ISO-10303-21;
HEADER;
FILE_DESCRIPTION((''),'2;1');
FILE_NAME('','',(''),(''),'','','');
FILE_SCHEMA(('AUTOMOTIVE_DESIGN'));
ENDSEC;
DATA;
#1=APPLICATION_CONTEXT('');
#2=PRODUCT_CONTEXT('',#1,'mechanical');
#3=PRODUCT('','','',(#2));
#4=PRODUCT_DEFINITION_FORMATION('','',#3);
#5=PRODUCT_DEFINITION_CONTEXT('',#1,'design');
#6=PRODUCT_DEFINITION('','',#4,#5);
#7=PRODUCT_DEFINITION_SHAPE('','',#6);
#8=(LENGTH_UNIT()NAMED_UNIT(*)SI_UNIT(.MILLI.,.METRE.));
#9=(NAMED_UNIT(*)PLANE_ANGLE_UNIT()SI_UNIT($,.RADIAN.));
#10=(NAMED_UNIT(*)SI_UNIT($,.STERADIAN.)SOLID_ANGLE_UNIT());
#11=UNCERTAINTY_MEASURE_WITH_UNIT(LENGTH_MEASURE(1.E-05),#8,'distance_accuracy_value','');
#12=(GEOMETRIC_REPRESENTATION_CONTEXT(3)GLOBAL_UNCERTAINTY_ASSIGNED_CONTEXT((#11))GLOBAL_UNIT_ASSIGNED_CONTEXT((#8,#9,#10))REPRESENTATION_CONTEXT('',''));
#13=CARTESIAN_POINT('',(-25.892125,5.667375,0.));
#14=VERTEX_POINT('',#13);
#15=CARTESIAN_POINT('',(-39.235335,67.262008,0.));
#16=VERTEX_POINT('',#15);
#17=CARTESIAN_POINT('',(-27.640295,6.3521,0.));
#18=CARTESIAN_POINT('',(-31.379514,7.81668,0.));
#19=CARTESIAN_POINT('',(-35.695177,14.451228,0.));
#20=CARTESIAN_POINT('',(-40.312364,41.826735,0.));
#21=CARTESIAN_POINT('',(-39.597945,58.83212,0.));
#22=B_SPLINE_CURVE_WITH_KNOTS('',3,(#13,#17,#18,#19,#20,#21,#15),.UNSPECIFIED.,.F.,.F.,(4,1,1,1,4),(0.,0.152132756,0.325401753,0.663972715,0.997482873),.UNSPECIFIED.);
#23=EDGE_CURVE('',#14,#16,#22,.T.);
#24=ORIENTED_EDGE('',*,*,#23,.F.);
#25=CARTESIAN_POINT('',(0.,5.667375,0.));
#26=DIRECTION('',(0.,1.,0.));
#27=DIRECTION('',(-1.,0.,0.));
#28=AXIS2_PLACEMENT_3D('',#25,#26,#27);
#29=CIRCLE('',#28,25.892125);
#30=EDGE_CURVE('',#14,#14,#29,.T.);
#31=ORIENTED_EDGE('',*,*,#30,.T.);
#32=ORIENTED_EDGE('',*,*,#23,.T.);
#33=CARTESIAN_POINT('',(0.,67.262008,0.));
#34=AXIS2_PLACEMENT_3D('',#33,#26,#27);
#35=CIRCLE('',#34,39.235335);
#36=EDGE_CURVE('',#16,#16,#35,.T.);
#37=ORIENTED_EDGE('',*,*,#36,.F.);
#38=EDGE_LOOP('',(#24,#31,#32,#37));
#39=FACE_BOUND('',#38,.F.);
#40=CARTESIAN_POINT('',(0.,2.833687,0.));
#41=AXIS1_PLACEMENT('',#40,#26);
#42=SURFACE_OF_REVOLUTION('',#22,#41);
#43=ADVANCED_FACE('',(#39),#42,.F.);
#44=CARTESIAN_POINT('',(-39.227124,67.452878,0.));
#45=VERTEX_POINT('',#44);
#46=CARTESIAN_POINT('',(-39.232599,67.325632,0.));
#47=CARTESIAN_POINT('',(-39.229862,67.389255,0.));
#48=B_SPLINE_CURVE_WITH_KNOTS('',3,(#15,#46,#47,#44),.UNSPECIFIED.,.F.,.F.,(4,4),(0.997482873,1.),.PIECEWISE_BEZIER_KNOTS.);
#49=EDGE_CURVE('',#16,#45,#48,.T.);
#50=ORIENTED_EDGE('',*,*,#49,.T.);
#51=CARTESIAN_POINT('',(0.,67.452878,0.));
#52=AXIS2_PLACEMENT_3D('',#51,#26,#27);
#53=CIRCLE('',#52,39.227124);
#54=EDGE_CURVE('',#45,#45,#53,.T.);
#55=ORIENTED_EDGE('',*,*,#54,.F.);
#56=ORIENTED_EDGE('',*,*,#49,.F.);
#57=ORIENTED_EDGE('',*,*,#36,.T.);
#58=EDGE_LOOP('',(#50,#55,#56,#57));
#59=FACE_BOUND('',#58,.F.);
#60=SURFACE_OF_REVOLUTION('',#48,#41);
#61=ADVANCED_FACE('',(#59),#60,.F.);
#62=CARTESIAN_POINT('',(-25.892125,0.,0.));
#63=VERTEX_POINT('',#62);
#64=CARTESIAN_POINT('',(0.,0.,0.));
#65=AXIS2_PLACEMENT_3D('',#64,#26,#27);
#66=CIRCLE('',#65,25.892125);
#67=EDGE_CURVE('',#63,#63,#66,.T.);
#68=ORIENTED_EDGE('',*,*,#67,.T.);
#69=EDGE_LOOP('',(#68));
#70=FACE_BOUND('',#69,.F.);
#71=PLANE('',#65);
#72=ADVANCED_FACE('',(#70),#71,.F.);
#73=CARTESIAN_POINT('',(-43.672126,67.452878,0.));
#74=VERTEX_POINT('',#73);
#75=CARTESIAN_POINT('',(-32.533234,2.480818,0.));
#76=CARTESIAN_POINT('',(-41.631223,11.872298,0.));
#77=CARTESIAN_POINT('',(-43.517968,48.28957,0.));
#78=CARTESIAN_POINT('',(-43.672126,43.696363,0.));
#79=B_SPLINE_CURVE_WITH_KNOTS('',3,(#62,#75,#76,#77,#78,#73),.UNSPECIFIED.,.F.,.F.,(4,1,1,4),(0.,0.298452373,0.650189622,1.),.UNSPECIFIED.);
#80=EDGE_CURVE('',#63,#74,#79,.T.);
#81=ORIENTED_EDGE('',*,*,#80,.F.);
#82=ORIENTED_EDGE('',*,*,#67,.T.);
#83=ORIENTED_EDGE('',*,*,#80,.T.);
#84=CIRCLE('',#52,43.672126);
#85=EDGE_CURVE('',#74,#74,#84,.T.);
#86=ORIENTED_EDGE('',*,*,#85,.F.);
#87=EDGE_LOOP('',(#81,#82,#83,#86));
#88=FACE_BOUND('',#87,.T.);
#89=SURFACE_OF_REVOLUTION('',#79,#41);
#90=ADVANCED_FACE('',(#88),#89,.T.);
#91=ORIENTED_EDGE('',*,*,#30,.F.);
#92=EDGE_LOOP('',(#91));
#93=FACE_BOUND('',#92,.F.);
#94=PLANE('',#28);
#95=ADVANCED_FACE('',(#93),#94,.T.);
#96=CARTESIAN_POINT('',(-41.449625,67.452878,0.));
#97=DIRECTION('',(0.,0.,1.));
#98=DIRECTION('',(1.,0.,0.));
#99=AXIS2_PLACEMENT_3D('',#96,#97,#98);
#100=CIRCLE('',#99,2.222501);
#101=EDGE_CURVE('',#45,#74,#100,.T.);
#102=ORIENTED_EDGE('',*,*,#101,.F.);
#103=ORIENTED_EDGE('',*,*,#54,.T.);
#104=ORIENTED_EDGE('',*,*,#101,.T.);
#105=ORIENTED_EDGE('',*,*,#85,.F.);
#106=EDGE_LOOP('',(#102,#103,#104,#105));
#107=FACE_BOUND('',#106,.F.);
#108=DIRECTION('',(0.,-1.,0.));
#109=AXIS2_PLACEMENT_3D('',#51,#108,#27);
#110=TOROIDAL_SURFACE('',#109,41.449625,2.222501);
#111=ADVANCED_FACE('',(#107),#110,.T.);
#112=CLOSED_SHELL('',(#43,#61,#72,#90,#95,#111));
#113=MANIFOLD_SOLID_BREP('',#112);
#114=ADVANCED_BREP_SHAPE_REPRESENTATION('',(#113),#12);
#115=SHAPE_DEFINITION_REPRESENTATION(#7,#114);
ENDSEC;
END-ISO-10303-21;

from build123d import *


with BuildPart() as f1:
    # F0 (on Top) → F1 (revolve)
    with BuildSketch(Plane.XY):
        with BuildLine():
            Line((-25.8921254426, 0), (0, 0))
            Line((0, 0), (0, 5.667374935))
            Line((0, 5.667374935), (-25.8921254426, 5.667374935))
            add(Edge.make_bspline(
                [(-25.8921254426, 5.667374935), (-27.6402953881, 6.3520995589), (-31.3795135506, 7.8166795652), (-35.6951770334, 14.4512284735), (-40.3123644374, 41.8267350124), (-39.5979446293, 58.8321199447), (-39.2353354701, 67.2620081082)],
                knots=[0, 0, 0, 0, 0.152132756, 0.3254017527, 0.6639727154, 0.9974828728, 0.9974828728, 0.9974828728, 0.9974828728], degree=3))
            add(Edge.make_bspline(
                [(-39.2353354701, 67.2620081082), (-39.2325987218, 67.3256316588), (-39.2298615127, 67.3892547094), (-39.2271243036, 67.4528777599)],
                knots=[0.9974828728, 0.9974828728, 0.9974828728, 0.9974828728, 1, 1, 1, 1], degree=3))
            ThreePointArc((-39.2271243036, 67.4528777599), (-41.4496250451, 69.6753785014), (-43.6721257865, 67.4528777599))
            add(Edge.make_bspline(
                [(-25.8921254426, 0), (-32.5332335882, 2.4808175139), (-41.6312229925, 11.8722976593), (-43.5179676783, 48.2895696785), (-43.6721257865, 43.6963629743), (-43.6721257865, 67.4528777599)],
                knots=[0, 0, 0, 0, 0.298452373, 0.6501896222, 1, 1, 1, 1], degree=3))
        make_face()
    revolve(axis=Axis((0, 2.8336874675, 0), (0, 1, 0)))


solid = f1.part
